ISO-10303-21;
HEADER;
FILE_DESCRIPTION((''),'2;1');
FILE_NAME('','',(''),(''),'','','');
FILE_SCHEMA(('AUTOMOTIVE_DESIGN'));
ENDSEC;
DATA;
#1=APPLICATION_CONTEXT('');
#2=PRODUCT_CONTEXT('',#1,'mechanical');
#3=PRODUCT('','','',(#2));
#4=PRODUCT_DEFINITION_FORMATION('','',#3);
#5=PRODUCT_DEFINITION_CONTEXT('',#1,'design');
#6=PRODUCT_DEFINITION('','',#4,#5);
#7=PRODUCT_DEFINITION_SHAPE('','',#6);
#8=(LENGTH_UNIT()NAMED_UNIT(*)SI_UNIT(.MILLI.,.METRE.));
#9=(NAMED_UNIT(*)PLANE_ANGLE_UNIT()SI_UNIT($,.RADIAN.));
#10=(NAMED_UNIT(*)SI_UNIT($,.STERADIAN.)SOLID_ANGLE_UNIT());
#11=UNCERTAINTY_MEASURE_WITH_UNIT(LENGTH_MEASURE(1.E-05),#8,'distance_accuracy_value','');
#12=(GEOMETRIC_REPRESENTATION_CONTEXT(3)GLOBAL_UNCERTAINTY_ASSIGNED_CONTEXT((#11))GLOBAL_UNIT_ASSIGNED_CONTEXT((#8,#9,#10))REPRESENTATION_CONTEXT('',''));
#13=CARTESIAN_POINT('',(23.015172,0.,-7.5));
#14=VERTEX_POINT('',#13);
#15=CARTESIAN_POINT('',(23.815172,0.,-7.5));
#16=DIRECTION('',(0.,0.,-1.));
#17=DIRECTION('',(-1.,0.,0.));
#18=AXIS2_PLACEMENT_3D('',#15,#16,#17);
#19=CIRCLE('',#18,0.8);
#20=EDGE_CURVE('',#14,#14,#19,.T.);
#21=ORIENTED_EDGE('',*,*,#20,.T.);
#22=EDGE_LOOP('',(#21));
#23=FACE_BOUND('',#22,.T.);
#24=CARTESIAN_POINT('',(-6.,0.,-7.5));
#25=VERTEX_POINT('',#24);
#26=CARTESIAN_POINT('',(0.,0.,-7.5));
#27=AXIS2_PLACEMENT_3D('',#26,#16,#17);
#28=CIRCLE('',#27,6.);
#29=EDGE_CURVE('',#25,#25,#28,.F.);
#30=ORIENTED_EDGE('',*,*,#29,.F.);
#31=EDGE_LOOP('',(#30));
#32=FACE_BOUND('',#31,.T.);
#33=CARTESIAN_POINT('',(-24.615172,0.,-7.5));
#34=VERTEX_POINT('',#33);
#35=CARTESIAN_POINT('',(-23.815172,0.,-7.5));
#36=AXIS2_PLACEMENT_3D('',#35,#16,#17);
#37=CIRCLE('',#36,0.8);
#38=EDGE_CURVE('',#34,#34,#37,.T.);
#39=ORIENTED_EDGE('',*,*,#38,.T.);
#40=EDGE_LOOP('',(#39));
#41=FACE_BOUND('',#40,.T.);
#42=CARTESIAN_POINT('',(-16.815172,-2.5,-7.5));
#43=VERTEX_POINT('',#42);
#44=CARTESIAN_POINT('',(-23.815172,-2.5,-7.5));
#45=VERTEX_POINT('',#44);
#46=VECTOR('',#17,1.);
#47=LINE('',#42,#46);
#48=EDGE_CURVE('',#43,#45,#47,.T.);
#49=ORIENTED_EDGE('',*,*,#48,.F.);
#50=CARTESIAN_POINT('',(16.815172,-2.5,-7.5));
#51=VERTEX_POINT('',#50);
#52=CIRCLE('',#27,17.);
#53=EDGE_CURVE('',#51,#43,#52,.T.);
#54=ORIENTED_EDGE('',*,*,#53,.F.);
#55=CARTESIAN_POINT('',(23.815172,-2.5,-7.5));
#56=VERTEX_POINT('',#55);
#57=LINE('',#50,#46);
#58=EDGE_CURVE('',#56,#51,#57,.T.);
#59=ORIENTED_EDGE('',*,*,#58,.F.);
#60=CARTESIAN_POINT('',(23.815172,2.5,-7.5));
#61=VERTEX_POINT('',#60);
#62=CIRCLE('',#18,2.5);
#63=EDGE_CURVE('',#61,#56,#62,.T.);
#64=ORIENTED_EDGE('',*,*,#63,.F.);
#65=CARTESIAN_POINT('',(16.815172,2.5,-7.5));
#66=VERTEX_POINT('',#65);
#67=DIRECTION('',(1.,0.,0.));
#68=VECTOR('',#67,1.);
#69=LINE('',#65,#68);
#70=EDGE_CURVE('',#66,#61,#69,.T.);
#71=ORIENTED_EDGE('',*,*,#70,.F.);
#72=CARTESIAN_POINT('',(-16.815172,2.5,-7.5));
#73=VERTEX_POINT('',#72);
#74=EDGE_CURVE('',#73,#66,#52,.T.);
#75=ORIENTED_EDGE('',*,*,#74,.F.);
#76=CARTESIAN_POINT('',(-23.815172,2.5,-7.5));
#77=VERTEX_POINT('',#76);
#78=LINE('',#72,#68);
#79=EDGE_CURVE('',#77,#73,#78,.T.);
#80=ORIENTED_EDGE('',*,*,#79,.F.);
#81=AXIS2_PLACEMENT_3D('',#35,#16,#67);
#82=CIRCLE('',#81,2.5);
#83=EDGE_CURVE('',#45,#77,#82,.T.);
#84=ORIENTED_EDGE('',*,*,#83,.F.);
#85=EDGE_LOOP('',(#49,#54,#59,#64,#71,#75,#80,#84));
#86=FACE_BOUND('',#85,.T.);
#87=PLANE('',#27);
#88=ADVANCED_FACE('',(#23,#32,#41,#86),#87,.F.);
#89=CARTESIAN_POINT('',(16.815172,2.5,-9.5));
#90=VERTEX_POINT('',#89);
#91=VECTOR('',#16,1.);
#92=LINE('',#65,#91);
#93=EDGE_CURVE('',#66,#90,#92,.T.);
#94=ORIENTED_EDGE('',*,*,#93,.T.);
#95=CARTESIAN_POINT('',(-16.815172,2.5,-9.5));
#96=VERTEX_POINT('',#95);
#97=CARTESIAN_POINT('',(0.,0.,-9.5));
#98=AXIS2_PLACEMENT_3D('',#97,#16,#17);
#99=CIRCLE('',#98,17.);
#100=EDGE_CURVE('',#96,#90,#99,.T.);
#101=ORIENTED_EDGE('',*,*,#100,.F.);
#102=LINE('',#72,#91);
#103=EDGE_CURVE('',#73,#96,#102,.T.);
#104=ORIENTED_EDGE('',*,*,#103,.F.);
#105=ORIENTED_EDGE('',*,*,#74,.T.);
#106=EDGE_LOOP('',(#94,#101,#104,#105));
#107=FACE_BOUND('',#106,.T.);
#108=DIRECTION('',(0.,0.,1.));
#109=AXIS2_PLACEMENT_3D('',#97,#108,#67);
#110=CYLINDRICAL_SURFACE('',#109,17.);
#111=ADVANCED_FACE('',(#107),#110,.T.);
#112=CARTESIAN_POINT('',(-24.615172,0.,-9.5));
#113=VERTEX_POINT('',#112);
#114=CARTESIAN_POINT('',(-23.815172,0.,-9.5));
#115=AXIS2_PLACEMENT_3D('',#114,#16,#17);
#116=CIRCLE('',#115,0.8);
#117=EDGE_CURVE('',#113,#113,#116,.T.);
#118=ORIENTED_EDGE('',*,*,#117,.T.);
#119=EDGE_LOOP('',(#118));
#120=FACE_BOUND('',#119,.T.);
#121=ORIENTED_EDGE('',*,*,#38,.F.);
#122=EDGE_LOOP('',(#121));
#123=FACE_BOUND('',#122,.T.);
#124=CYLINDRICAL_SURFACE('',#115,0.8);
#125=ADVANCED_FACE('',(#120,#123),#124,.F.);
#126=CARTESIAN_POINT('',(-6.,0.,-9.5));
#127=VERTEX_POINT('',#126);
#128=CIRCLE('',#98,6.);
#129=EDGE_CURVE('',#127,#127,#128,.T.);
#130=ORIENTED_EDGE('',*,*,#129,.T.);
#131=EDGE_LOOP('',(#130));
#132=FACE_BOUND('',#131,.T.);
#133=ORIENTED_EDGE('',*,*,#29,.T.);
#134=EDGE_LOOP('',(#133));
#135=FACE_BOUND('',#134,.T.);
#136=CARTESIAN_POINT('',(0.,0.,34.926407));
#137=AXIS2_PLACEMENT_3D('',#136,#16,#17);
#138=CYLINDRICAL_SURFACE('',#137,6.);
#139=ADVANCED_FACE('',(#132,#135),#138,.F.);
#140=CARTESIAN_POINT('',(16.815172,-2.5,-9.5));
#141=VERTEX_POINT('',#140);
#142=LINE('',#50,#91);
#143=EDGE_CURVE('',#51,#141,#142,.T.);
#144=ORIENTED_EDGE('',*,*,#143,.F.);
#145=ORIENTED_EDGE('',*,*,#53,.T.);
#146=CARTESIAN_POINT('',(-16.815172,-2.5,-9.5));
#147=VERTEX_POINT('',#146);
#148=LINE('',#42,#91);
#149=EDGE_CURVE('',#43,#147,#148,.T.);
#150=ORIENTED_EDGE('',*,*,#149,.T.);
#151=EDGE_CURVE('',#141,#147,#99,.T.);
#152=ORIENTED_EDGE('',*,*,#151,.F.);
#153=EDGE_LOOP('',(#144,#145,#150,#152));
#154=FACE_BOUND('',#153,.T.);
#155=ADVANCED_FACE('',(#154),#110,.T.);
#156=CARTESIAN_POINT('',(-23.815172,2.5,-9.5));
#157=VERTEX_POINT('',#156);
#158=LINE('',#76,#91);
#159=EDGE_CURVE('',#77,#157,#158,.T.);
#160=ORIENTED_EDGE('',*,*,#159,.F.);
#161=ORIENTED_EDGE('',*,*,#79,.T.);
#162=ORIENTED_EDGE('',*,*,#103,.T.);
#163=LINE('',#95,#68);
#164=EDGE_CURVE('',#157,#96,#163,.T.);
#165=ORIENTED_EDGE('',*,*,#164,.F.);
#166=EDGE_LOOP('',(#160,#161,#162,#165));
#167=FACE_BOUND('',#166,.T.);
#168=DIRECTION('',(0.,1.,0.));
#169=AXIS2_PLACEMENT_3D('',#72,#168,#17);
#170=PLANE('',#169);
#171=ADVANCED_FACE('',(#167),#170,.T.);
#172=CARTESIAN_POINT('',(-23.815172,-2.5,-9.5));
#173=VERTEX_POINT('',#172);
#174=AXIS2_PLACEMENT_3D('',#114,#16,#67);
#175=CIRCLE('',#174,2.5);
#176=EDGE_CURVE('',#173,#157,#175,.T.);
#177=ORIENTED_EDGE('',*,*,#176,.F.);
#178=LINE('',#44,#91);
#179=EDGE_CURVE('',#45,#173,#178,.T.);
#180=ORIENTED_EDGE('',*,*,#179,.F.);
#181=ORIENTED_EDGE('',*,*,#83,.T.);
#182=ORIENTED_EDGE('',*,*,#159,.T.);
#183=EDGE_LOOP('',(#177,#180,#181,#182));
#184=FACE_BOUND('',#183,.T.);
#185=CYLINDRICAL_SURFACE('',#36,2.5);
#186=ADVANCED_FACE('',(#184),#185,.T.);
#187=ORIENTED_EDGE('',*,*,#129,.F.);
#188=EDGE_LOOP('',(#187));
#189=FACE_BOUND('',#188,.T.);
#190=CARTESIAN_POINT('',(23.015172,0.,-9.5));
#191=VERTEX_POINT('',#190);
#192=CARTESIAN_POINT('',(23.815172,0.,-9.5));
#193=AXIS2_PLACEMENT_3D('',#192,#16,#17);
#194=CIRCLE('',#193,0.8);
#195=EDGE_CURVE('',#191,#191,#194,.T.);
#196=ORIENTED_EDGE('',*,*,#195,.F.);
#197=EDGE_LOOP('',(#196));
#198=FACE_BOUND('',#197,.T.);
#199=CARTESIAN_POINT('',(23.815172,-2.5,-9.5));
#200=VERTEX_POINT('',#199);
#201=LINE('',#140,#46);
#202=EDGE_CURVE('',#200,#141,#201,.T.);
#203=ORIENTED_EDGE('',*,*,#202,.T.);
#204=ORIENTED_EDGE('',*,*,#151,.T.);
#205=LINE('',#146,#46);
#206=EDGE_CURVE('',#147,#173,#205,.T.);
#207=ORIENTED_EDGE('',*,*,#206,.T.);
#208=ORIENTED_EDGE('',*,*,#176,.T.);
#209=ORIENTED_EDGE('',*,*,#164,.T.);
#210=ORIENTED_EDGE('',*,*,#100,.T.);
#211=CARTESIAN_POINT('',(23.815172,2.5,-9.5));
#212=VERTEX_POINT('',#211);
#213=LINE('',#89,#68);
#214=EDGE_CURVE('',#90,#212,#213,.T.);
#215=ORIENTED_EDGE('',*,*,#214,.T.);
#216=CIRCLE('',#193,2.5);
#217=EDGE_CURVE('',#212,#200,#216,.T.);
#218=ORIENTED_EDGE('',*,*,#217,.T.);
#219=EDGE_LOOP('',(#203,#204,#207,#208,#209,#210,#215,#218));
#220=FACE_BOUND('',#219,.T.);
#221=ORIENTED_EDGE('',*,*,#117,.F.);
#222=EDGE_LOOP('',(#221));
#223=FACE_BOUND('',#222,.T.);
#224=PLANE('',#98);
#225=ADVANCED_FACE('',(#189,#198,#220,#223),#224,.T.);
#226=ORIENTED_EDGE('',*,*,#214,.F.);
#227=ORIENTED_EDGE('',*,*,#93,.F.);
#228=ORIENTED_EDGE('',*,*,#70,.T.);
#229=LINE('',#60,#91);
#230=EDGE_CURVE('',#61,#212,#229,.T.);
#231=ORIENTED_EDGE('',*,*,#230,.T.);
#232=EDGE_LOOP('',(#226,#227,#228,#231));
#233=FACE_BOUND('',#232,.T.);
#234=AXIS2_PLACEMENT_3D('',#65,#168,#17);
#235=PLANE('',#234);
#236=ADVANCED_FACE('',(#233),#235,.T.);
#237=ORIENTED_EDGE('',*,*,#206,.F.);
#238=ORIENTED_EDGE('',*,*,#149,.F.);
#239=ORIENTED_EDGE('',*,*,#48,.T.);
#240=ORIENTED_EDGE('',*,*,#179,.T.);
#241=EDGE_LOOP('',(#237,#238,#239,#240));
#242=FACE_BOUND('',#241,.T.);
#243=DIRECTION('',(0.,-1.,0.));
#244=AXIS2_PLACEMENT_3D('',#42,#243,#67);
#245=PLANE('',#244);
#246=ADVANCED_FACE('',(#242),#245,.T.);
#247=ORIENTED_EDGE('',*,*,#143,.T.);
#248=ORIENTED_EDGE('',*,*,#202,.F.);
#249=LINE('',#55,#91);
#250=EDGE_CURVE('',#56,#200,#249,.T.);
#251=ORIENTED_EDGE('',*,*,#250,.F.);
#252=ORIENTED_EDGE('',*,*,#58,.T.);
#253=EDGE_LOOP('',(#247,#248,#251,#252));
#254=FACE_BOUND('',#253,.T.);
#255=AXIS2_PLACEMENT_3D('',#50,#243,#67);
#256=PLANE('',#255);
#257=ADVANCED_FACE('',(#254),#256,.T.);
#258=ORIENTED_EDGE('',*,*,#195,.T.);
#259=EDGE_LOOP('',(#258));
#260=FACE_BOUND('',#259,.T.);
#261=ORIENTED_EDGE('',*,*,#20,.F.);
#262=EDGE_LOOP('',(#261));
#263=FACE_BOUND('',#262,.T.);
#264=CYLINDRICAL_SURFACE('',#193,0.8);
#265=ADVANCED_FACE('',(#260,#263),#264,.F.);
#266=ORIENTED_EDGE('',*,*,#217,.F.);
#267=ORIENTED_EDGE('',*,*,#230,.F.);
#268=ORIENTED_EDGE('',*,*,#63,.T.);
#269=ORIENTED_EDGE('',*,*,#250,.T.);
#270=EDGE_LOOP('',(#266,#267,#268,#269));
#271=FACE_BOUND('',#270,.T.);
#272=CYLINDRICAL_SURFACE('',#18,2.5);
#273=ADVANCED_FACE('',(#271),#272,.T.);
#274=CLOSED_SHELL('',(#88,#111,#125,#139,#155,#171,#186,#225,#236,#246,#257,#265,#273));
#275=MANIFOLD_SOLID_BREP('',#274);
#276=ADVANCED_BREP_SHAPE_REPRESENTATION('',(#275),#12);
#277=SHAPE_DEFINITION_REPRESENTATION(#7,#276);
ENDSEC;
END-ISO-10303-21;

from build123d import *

# Parameters (mm, degrees)
SKETCH_1_R               = 19
EXTRUDE_1_DEPTH          = 20
EXTRUDE_2_DEPTH          = 3
SKETCH_6_R               = 17
CUT_EXTRUDE_1_DEPTH      = 18
SKETCH_7_R               = 17
SKETCH_7_R_2             = 15
EXTRUDE_3_DEPTH          = 9.5
CUT_EXTRUDE_2_REACH      = 44.629
SKETCH_8_R               = 13
EXTRUDE_START            = -2
EXTRUDE_4_DEPTH          = 2
HOLE_WIZARD_M3_1_D       = 2.5
HOLE_WIZARD_M3_1_DEPTH   = 3
HOLE_WIZARD_M2_1_D       = 1.6
CUT_EXTRUDE_3_DEPTH      = 44.800684926
CUT_EXTRUDE_3_DEPTH_BACK = 44.800684926
SKETCH_17_W              = 74
SKETCH_17_H              = 33
SKETCH_18_R              = 15
SKETCH_18_R_2            = 6
EXTRUDE_5_DEPTH          = 2


with BuildPart() as part:
    # 草图1 → 凸台-拉伸1 (new body)
    with BuildSketch(Plane.XY):
        Circle(SKETCH_1_R)
    extrude(amount=EXTRUDE_1_DEPTH)

    # 草图3 → 凸台-拉伸2 (add)
    with BuildSketch(Plane.XY.offset(20)):
        with BuildLine():
            Line((-22.5, 10), (22.5, 10))
            ThreePointArc((22.5, 10), (32.5, 0), (22.5, -10))
            Line((22.5, -10), (-22.5, -10))
            ThreePointArc((-22.5, -10), (-32.5, 0), (-22.5, 10))
        make_face()
    extrude(amount=-EXTRUDE_2_DEPTH)

    # 草图6 → 切除-拉伸1 (cut)
    with BuildSketch(Plane.XY.offset(20)):
        Circle(SKETCH_6_R)
    extrude(amount=-CUT_EXTRUDE_1_DEPTH, mode=Mode.SUBTRACT)

    # 草图7 → 凸台-拉伸3 (add)
    with BuildSketch(Plane(origin=(0, 0, 0), x_dir=(-1, 0, 0), z_dir=(0, 0, -1))):
        with Locations(Location((0, 0, 0), (0, 0, 180))):
            Circle(SKETCH_7_R)
        Circle(SKETCH_7_R_2, mode=Mode.SUBTRACT)
    extrude(amount=EXTRUDE_3_DEPTH)

    # 草图8 → 切除-拉伸2 (cut, up to next)
    with BuildSketch(Plane(origin=(0, 0, 0), x_dir=(-1, 0, 0), z_dir=(0, 0, -1)), mode=Mode.PRIVATE) as cut_extrude_2_sk1:
        Circle(SKETCH_8_R)
    cut_extrude_2_tool1 = extrude(cut_extrude_2_sk1.sketch, amount=-CUT_EXTRUDE_2_REACH, mode=Mode.PRIVATE) & part.part
    add(cut_extrude_2_tool1.solids().sort_by_distance((0, 0, 0))[0], mode=Mode.SUBTRACT)

    # 草图10 → 凸台-拉伸4 (add)
    with BuildSketch(Plane(origin=(0, 0, -9.5), x_dir=(-1, 0, 0), z_dir=(0, 0, -1)).offset(EXTRUDE_START)):
        with BuildLine():
            Line((-16.815171721, 2.5), (-23.815171721, 2.5))
            ThreePointArc((-23.815171721, 2.5), (-26.315171721, 0), (-23.815171721, -2.5))
            Line((-23.815171721, -2.5), (-16.815171721, -2.5))
            ThreePointArc((-16.815171721, -2.5), (-17, 0), (-16.815171721, 2.5))
        make_face()
        with BuildLine():
            Line((16.815171721, 2.5), (23.815171721, 2.5))
            ThreePointArc((23.815171721, 2.5), (26.315171721, 0), (23.815171721, -2.5))
            Line((23.815171721, -2.5), (16.815171721, -2.5))
            ThreePointArc((16.815171721, -2.5), (17, 0), (16.815171721, 2.5))
        make_face()
    extrude(amount=EXTRUDE_4_DEPTH)

    # M3 螺纹孔的螺纹孔钻头1
    with Locations(Plane(origin=(0, 0, 17), x_dir=(-1, 0, 0), z_dir=(0, 0, -1))):
        with Locations((-23.815171721, 0)):
            hole_wizard_m3_1 = Hole(HOLE_WIZARD_M3_1_D / 2, depth=HOLE_WIZARD_M3_1_DEPTH)

    # M2 螺纹孔的螺纹孔钻头1 (through all)
    with Locations(Plane(origin=(0, 0, -9.5), x_dir=(-1, 0, 0), z_dir=(0, 0, -1))):
        with Locations((-23.815171721, 0)):
            hole_wizard_m2_1 = Hole(HOLE_WIZARD_M2_1_D / 2)

    # 镜向1: M3 螺纹孔的螺纹孔钻头1, M2 螺纹孔的螺纹孔钻头1 across plane
    add(hole_wizard_m3_1.mirror(Plane(origin=(0, 0, 0), x_dir=(0, 0, 1), z_dir=(1, 0, 0))), mode=Mode.SUBTRACT)
    add(hole_wizard_m2_1.mirror(Plane(origin=(0, 0, 0), x_dir=(0, 0, 1), z_dir=(1, 0, 0))), mode=Mode.SUBTRACT)

    # 草图17 → 切除-拉伸3 (cut, two sides: drawn at the far end of the back side and taken through both)
    with BuildSketch(Plane.XZ.offset(2.5).offset(-CUT_EXTRUDE_3_DEPTH_BACK)):
        with Locations((0, 9)):
            Rectangle(SKETCH_17_W, SKETCH_17_H)
    extrude(amount=CUT_EXTRUDE_3_DEPTH + CUT_EXTRUDE_3_DEPTH_BACK, mode=Mode.SUBTRACT)

    # 草图18 → 凸台-拉伸5 (add)
    with BuildSketch(Plane(origin=(0, 0, -9.5), x_dir=(-1, 0, 0), z_dir=(0, 0, -1)).offset(EXTRUDE_START)):
        Circle(SKETCH_18_R)
        Circle(SKETCH_18_R_2, mode=Mode.SUBTRACT)
    extrude(amount=EXTRUDE_5_DEPTH)


solid = part.part
